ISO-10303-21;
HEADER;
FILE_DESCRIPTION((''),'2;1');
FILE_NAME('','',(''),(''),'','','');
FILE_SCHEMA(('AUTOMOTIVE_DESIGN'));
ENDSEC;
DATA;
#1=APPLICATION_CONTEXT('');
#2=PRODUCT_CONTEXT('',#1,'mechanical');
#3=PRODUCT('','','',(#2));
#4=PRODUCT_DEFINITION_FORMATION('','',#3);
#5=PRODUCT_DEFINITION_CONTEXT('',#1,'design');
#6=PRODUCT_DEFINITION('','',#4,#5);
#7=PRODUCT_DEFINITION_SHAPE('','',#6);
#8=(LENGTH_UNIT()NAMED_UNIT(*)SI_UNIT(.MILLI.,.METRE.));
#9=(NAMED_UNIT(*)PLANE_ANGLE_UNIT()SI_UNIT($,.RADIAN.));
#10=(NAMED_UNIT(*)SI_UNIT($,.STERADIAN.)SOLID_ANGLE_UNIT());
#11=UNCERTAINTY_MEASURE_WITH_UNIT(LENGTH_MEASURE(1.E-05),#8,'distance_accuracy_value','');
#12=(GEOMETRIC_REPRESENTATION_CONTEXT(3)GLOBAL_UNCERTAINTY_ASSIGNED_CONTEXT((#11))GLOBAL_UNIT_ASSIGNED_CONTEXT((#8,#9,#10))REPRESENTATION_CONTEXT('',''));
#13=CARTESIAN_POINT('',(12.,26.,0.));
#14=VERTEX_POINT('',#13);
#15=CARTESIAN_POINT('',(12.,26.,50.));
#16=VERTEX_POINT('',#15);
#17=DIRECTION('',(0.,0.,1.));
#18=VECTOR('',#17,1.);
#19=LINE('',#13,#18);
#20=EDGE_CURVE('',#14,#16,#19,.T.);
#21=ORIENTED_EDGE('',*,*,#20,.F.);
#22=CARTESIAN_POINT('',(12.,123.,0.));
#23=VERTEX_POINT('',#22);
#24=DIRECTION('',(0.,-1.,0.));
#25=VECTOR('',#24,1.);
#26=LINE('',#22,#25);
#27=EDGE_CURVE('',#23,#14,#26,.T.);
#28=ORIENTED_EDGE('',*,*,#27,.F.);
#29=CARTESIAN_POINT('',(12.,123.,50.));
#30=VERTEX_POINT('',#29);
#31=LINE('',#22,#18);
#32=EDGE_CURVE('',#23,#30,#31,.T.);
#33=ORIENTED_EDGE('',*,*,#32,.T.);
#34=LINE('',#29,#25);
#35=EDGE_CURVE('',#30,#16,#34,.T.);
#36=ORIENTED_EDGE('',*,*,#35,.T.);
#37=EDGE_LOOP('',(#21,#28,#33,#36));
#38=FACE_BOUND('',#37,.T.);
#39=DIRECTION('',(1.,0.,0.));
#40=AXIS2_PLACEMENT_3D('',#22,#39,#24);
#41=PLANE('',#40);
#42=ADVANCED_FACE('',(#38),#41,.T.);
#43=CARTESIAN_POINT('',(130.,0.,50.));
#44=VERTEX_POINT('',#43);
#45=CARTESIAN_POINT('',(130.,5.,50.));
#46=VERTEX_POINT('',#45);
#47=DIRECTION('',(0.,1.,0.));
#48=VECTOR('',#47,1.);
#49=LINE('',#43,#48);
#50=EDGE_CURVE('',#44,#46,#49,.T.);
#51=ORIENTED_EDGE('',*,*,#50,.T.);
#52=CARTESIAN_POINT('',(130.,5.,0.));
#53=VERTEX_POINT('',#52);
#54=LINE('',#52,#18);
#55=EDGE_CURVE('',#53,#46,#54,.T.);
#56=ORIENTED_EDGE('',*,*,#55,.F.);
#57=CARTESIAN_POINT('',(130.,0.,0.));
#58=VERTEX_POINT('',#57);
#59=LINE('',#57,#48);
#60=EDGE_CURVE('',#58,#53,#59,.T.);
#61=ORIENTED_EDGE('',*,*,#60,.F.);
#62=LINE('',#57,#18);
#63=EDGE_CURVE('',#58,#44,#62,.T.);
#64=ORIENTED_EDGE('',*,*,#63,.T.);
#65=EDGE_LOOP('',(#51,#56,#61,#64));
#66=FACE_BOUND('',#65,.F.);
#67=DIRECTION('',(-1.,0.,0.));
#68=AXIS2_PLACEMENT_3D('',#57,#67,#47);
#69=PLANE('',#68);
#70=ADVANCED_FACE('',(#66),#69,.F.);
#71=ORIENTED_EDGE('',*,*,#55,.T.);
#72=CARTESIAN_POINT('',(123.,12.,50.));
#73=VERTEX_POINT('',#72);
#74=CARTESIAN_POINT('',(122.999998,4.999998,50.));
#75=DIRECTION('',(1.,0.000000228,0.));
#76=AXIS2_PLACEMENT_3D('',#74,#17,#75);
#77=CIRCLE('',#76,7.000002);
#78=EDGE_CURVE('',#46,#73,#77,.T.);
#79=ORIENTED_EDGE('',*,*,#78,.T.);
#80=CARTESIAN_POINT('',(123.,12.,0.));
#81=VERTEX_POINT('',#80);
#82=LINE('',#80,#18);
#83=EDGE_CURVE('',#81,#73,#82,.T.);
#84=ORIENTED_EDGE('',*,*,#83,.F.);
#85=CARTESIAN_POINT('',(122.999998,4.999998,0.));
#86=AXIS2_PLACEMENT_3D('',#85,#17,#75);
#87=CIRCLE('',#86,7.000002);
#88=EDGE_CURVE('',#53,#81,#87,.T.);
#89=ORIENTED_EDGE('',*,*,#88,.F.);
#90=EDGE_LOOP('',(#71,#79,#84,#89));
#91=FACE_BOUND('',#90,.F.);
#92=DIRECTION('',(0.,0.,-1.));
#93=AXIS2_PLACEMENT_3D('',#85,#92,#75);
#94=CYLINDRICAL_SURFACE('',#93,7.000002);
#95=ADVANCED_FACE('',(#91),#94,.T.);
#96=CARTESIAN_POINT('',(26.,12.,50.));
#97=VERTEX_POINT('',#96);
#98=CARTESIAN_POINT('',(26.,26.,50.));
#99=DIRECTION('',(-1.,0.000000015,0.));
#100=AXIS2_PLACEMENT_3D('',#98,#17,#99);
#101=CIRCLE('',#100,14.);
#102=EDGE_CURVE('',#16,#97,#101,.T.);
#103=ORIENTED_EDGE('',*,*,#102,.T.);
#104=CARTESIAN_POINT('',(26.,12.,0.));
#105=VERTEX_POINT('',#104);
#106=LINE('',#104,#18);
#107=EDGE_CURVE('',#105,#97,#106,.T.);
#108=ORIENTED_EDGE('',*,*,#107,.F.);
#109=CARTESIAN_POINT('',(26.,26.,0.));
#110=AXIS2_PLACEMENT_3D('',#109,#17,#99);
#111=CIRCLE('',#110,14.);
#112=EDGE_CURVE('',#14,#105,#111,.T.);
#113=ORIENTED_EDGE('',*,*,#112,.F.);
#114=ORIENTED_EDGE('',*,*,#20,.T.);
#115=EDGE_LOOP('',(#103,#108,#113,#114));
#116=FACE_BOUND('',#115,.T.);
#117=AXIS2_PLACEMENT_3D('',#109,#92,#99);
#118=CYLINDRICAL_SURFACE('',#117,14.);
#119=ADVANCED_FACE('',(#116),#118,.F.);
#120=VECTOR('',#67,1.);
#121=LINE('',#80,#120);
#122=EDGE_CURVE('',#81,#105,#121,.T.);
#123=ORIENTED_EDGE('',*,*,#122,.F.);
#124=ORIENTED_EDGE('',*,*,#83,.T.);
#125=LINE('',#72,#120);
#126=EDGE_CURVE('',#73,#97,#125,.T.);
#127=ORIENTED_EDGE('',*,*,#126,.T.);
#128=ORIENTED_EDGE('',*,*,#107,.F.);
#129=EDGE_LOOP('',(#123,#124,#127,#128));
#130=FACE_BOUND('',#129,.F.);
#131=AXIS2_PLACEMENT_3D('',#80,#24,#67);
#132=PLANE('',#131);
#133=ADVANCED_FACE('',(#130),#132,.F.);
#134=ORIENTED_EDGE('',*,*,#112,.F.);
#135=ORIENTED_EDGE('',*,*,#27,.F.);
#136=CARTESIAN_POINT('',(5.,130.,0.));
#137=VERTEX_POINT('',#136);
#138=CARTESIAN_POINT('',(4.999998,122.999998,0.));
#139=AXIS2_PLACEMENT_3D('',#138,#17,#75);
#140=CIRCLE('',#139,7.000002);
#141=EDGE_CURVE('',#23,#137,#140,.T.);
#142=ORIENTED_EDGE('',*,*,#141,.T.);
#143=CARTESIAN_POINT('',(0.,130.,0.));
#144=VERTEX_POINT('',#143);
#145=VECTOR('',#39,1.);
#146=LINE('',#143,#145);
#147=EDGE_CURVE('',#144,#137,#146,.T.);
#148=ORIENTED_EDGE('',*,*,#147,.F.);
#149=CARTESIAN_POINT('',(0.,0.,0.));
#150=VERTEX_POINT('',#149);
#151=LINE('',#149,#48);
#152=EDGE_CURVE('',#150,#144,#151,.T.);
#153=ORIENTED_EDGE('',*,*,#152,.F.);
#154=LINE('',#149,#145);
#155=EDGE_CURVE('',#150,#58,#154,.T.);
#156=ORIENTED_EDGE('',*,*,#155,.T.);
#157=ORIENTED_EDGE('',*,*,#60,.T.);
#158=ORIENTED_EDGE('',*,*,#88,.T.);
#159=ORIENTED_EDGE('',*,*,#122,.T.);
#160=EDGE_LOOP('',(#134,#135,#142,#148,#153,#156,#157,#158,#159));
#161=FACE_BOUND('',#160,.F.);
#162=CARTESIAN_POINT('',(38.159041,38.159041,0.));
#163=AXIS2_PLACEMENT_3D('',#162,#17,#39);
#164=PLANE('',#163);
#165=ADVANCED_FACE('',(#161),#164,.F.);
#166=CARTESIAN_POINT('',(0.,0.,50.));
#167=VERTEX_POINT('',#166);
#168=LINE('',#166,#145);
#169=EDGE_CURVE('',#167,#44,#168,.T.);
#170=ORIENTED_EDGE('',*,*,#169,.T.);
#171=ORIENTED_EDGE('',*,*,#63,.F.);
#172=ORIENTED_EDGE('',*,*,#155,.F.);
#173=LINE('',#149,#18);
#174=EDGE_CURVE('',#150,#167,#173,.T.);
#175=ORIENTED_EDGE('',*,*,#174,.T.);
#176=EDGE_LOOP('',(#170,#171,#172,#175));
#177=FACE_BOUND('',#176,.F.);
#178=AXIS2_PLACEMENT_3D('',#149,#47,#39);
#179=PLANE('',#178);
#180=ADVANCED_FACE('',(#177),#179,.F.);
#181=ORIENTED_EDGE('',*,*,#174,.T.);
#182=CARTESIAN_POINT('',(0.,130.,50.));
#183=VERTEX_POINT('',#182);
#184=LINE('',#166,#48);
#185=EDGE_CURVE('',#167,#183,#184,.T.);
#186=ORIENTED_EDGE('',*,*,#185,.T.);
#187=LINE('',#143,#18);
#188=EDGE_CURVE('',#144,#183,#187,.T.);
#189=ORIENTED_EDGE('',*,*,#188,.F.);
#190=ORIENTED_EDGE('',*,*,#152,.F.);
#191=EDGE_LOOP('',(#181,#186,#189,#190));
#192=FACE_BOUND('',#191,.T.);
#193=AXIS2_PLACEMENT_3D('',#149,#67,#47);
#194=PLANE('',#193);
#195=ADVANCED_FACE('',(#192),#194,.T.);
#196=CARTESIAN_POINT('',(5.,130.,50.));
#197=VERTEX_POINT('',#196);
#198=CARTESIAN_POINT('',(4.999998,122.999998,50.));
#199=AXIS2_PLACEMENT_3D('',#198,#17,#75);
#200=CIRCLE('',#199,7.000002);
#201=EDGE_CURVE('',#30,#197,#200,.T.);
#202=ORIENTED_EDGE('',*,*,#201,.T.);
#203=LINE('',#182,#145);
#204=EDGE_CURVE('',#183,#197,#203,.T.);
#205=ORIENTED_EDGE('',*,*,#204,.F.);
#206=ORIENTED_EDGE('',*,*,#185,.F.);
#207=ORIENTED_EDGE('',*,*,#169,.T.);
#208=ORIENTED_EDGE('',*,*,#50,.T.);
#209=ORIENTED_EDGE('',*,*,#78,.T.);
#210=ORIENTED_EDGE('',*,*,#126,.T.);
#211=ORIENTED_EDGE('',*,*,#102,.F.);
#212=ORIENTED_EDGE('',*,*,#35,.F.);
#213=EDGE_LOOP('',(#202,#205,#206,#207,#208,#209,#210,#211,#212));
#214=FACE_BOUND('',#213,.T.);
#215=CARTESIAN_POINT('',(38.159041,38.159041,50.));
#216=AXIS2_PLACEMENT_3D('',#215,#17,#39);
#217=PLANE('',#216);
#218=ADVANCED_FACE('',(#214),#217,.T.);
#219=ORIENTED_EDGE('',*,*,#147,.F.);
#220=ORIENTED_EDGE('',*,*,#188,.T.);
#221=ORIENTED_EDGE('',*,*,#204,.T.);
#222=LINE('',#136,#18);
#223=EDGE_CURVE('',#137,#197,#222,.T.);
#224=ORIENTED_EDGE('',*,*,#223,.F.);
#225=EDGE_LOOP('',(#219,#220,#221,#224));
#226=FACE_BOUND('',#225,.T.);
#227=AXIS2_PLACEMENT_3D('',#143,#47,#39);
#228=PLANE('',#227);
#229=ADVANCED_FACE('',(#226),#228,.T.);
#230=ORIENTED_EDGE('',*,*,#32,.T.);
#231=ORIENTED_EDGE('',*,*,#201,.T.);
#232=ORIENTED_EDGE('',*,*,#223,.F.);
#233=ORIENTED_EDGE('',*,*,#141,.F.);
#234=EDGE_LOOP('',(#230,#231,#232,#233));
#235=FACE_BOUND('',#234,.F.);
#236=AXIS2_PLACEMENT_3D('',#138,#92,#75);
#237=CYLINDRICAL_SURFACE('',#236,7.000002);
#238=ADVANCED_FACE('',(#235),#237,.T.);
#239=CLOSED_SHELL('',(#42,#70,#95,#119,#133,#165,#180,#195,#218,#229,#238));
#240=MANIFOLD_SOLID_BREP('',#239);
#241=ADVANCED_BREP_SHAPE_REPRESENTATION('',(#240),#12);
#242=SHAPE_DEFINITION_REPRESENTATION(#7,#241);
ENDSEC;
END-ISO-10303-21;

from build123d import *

# Parameters (mm, degrees)
EXTRUDE_DEPTH = 50


with BuildPart() as part:
    # Sketch → Extrude (new body)
    with BuildSketch(Plane.XY):
        with BuildLine():
            Line((0, 0), (130, 0))
            Line((130, 0), (130, 5))
            ThreePointArc((130, 5), (127.949747, 9.949747), (123, 12))
            Line((123, 12), (26, 12))
            ThreePointArc((12, 26), (16.100505, 16.100505), (26, 12))
            Line((12, 123), (12, 26))
            ThreePointArc((12, 123), (9.949747, 127.949747), (5, 130))
            Line((0, 130), (5, 130))
            Line((0, 0), (0, 130))
        make_face()
    extrude(amount=EXTRUDE_DEPTH)


solid = part.part
